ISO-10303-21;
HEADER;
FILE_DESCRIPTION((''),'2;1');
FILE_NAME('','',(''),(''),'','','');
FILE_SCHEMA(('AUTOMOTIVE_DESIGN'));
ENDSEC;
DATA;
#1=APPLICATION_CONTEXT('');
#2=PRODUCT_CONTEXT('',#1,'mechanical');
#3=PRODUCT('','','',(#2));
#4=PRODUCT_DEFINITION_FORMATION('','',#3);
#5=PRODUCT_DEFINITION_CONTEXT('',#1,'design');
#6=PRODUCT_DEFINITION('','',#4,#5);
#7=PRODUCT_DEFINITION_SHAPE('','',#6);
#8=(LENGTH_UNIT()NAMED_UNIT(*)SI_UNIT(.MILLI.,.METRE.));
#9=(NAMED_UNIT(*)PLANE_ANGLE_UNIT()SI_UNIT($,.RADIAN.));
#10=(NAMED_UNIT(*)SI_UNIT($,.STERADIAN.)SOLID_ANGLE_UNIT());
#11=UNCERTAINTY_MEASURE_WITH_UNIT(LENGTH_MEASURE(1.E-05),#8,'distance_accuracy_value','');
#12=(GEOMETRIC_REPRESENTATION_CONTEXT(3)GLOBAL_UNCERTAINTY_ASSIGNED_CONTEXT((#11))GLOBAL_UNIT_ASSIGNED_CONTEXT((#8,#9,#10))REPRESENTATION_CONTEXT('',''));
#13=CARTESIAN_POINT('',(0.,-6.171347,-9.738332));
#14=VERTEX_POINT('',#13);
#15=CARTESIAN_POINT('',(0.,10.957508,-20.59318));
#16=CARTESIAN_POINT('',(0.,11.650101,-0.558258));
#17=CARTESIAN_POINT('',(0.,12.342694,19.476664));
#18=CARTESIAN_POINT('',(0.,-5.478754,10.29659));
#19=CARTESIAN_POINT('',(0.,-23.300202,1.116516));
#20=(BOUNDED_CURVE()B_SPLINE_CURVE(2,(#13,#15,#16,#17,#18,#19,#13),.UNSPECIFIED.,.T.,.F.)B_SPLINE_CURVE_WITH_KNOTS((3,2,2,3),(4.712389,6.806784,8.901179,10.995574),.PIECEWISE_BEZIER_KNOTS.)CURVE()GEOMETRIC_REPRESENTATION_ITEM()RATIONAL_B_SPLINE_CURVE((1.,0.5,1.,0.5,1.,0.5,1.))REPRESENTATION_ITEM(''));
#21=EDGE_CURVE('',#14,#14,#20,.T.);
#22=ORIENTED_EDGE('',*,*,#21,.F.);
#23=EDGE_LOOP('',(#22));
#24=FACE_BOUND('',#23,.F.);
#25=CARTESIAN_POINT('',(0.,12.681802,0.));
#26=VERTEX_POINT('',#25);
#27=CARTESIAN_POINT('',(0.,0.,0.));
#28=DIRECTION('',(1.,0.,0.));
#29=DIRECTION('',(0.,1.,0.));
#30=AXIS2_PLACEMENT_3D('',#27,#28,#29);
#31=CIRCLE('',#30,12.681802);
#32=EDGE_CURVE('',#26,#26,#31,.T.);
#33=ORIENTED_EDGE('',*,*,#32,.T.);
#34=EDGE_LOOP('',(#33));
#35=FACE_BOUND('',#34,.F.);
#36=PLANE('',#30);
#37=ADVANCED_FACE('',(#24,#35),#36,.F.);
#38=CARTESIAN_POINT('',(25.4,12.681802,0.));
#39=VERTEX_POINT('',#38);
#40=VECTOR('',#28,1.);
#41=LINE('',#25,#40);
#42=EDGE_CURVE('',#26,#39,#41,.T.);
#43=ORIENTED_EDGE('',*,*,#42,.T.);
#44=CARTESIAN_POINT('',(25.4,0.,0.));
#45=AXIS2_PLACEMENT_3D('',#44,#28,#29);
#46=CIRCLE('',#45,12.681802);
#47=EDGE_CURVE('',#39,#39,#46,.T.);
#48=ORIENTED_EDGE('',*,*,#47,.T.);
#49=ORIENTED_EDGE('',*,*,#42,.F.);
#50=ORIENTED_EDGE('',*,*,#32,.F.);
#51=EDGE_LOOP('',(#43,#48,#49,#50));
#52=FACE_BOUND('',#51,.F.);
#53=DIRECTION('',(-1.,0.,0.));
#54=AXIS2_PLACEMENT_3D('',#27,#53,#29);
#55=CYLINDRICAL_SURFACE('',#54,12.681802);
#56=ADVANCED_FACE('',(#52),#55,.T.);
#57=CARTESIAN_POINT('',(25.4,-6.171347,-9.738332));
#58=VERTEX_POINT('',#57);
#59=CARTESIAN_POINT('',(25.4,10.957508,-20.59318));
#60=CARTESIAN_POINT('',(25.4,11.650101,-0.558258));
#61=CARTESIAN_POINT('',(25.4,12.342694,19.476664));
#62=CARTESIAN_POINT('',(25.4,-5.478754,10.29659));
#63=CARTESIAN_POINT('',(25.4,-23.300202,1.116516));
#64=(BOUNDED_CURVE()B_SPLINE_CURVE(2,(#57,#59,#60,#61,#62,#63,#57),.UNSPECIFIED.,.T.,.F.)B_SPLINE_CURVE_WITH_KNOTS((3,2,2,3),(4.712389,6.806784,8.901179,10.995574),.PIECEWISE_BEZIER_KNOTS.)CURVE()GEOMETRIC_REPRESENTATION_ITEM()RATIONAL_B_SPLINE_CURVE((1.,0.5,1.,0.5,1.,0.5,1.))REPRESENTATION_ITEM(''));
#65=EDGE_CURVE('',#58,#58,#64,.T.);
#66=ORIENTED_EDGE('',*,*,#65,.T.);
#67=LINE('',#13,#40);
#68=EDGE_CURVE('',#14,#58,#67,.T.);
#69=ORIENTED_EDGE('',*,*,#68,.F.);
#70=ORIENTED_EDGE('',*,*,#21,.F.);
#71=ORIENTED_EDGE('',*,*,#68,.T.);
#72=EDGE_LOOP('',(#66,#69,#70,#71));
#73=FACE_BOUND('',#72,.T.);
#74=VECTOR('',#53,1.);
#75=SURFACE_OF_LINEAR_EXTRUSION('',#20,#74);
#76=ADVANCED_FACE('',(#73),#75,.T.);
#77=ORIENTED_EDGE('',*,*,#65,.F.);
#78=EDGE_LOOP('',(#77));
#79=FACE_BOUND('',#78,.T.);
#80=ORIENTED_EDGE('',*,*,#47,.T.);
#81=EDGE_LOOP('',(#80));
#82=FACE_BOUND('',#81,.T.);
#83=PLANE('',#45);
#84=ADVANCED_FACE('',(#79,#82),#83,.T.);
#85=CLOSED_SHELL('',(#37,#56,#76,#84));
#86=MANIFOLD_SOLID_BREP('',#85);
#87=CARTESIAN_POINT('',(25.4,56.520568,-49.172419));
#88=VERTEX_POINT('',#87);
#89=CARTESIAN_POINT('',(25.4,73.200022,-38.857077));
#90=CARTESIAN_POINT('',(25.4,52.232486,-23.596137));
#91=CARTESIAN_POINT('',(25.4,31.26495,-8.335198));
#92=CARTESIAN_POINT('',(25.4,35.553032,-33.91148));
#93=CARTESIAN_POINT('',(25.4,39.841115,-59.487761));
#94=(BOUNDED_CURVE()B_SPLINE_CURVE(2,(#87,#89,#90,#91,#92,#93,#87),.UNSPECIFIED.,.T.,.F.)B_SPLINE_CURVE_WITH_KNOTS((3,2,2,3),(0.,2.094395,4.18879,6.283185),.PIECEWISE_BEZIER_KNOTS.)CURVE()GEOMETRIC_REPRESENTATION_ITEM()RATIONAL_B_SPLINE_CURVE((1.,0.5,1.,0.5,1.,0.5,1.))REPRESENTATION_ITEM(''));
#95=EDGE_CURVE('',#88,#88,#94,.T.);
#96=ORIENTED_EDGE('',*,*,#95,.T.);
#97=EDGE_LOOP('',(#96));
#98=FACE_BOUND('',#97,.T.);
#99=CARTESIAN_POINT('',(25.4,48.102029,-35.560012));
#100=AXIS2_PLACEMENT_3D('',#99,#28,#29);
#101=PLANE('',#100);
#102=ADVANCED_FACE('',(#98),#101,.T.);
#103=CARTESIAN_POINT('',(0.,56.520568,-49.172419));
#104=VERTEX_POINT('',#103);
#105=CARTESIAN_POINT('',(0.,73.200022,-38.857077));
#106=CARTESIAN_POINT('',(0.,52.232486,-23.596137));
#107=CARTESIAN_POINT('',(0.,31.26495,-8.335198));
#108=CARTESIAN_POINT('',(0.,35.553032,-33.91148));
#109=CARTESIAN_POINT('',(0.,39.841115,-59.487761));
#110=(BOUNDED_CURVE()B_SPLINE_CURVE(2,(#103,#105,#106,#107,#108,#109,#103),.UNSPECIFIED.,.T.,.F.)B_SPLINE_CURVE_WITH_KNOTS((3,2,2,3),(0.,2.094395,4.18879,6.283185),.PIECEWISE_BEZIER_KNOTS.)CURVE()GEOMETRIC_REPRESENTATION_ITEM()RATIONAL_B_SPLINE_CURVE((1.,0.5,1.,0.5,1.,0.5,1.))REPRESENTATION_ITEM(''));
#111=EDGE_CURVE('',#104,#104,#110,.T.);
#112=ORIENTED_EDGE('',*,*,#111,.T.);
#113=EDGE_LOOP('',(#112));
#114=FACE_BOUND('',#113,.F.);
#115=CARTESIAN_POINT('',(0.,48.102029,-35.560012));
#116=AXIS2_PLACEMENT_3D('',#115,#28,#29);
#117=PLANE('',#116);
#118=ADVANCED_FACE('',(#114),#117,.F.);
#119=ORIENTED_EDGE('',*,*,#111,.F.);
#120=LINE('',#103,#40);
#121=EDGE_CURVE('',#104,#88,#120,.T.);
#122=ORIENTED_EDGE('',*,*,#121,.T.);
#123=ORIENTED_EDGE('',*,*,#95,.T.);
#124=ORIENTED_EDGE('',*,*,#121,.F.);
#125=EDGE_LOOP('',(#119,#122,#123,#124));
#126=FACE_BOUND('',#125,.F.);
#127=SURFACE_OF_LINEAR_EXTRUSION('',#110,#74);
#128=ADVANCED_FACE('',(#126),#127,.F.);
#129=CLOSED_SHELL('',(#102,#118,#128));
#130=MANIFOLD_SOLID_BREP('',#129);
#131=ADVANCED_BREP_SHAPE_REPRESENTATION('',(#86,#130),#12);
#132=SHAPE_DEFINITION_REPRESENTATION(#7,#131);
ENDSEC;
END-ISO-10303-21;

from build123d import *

# Parameters (mm, degrees)
F0_R     = 12.681802
F1_DEPTH = 25.4


with BuildPart() as f1:
    # F0 (on Right) → F1 (new body)
    with BuildSketch(Plane.YZ):
        Circle(F0_R)
        with BuildLine():
            add(Edge.make_bspline(
                [(-6.171347, -9.738332), (10.957508, -20.59318), (11.650101, -0.558258), (12.342694, 19.476664), (-5.478754, 10.29659), (-23.300202, 1.116516), (-6.171347, -9.738332)],
                knots=[4.712389, 4.712389, 4.712389, 6.806784, 6.806784, 8.901179, 8.901179, 10.995574, 10.995574, 10.995574], degree=2, weights=[1, 0.5, 1, 0.5, 1, 0.5, 1]))
        make_face(mode=Mode.SUBTRACT)
        with BuildLine():
            add(Edge.make_bspline(
                [(56.520568, -49.172419), (73.200022, -38.857077), (52.232486, -23.596137), (31.26495, -8.335198), (35.553032, -33.91148), (39.841115, -59.487761), (56.520568, -49.172419)],
                knots=[0, 0, 0, 2.094395, 2.094395, 4.18879, 4.18879, 6.283185, 6.283185, 6.283185], degree=2, weights=[1, 0.5, 1, 0.5, 1, 0.5, 1]))
        make_face()
    extrude(amount=F1_DEPTH)


solid = f1.part
